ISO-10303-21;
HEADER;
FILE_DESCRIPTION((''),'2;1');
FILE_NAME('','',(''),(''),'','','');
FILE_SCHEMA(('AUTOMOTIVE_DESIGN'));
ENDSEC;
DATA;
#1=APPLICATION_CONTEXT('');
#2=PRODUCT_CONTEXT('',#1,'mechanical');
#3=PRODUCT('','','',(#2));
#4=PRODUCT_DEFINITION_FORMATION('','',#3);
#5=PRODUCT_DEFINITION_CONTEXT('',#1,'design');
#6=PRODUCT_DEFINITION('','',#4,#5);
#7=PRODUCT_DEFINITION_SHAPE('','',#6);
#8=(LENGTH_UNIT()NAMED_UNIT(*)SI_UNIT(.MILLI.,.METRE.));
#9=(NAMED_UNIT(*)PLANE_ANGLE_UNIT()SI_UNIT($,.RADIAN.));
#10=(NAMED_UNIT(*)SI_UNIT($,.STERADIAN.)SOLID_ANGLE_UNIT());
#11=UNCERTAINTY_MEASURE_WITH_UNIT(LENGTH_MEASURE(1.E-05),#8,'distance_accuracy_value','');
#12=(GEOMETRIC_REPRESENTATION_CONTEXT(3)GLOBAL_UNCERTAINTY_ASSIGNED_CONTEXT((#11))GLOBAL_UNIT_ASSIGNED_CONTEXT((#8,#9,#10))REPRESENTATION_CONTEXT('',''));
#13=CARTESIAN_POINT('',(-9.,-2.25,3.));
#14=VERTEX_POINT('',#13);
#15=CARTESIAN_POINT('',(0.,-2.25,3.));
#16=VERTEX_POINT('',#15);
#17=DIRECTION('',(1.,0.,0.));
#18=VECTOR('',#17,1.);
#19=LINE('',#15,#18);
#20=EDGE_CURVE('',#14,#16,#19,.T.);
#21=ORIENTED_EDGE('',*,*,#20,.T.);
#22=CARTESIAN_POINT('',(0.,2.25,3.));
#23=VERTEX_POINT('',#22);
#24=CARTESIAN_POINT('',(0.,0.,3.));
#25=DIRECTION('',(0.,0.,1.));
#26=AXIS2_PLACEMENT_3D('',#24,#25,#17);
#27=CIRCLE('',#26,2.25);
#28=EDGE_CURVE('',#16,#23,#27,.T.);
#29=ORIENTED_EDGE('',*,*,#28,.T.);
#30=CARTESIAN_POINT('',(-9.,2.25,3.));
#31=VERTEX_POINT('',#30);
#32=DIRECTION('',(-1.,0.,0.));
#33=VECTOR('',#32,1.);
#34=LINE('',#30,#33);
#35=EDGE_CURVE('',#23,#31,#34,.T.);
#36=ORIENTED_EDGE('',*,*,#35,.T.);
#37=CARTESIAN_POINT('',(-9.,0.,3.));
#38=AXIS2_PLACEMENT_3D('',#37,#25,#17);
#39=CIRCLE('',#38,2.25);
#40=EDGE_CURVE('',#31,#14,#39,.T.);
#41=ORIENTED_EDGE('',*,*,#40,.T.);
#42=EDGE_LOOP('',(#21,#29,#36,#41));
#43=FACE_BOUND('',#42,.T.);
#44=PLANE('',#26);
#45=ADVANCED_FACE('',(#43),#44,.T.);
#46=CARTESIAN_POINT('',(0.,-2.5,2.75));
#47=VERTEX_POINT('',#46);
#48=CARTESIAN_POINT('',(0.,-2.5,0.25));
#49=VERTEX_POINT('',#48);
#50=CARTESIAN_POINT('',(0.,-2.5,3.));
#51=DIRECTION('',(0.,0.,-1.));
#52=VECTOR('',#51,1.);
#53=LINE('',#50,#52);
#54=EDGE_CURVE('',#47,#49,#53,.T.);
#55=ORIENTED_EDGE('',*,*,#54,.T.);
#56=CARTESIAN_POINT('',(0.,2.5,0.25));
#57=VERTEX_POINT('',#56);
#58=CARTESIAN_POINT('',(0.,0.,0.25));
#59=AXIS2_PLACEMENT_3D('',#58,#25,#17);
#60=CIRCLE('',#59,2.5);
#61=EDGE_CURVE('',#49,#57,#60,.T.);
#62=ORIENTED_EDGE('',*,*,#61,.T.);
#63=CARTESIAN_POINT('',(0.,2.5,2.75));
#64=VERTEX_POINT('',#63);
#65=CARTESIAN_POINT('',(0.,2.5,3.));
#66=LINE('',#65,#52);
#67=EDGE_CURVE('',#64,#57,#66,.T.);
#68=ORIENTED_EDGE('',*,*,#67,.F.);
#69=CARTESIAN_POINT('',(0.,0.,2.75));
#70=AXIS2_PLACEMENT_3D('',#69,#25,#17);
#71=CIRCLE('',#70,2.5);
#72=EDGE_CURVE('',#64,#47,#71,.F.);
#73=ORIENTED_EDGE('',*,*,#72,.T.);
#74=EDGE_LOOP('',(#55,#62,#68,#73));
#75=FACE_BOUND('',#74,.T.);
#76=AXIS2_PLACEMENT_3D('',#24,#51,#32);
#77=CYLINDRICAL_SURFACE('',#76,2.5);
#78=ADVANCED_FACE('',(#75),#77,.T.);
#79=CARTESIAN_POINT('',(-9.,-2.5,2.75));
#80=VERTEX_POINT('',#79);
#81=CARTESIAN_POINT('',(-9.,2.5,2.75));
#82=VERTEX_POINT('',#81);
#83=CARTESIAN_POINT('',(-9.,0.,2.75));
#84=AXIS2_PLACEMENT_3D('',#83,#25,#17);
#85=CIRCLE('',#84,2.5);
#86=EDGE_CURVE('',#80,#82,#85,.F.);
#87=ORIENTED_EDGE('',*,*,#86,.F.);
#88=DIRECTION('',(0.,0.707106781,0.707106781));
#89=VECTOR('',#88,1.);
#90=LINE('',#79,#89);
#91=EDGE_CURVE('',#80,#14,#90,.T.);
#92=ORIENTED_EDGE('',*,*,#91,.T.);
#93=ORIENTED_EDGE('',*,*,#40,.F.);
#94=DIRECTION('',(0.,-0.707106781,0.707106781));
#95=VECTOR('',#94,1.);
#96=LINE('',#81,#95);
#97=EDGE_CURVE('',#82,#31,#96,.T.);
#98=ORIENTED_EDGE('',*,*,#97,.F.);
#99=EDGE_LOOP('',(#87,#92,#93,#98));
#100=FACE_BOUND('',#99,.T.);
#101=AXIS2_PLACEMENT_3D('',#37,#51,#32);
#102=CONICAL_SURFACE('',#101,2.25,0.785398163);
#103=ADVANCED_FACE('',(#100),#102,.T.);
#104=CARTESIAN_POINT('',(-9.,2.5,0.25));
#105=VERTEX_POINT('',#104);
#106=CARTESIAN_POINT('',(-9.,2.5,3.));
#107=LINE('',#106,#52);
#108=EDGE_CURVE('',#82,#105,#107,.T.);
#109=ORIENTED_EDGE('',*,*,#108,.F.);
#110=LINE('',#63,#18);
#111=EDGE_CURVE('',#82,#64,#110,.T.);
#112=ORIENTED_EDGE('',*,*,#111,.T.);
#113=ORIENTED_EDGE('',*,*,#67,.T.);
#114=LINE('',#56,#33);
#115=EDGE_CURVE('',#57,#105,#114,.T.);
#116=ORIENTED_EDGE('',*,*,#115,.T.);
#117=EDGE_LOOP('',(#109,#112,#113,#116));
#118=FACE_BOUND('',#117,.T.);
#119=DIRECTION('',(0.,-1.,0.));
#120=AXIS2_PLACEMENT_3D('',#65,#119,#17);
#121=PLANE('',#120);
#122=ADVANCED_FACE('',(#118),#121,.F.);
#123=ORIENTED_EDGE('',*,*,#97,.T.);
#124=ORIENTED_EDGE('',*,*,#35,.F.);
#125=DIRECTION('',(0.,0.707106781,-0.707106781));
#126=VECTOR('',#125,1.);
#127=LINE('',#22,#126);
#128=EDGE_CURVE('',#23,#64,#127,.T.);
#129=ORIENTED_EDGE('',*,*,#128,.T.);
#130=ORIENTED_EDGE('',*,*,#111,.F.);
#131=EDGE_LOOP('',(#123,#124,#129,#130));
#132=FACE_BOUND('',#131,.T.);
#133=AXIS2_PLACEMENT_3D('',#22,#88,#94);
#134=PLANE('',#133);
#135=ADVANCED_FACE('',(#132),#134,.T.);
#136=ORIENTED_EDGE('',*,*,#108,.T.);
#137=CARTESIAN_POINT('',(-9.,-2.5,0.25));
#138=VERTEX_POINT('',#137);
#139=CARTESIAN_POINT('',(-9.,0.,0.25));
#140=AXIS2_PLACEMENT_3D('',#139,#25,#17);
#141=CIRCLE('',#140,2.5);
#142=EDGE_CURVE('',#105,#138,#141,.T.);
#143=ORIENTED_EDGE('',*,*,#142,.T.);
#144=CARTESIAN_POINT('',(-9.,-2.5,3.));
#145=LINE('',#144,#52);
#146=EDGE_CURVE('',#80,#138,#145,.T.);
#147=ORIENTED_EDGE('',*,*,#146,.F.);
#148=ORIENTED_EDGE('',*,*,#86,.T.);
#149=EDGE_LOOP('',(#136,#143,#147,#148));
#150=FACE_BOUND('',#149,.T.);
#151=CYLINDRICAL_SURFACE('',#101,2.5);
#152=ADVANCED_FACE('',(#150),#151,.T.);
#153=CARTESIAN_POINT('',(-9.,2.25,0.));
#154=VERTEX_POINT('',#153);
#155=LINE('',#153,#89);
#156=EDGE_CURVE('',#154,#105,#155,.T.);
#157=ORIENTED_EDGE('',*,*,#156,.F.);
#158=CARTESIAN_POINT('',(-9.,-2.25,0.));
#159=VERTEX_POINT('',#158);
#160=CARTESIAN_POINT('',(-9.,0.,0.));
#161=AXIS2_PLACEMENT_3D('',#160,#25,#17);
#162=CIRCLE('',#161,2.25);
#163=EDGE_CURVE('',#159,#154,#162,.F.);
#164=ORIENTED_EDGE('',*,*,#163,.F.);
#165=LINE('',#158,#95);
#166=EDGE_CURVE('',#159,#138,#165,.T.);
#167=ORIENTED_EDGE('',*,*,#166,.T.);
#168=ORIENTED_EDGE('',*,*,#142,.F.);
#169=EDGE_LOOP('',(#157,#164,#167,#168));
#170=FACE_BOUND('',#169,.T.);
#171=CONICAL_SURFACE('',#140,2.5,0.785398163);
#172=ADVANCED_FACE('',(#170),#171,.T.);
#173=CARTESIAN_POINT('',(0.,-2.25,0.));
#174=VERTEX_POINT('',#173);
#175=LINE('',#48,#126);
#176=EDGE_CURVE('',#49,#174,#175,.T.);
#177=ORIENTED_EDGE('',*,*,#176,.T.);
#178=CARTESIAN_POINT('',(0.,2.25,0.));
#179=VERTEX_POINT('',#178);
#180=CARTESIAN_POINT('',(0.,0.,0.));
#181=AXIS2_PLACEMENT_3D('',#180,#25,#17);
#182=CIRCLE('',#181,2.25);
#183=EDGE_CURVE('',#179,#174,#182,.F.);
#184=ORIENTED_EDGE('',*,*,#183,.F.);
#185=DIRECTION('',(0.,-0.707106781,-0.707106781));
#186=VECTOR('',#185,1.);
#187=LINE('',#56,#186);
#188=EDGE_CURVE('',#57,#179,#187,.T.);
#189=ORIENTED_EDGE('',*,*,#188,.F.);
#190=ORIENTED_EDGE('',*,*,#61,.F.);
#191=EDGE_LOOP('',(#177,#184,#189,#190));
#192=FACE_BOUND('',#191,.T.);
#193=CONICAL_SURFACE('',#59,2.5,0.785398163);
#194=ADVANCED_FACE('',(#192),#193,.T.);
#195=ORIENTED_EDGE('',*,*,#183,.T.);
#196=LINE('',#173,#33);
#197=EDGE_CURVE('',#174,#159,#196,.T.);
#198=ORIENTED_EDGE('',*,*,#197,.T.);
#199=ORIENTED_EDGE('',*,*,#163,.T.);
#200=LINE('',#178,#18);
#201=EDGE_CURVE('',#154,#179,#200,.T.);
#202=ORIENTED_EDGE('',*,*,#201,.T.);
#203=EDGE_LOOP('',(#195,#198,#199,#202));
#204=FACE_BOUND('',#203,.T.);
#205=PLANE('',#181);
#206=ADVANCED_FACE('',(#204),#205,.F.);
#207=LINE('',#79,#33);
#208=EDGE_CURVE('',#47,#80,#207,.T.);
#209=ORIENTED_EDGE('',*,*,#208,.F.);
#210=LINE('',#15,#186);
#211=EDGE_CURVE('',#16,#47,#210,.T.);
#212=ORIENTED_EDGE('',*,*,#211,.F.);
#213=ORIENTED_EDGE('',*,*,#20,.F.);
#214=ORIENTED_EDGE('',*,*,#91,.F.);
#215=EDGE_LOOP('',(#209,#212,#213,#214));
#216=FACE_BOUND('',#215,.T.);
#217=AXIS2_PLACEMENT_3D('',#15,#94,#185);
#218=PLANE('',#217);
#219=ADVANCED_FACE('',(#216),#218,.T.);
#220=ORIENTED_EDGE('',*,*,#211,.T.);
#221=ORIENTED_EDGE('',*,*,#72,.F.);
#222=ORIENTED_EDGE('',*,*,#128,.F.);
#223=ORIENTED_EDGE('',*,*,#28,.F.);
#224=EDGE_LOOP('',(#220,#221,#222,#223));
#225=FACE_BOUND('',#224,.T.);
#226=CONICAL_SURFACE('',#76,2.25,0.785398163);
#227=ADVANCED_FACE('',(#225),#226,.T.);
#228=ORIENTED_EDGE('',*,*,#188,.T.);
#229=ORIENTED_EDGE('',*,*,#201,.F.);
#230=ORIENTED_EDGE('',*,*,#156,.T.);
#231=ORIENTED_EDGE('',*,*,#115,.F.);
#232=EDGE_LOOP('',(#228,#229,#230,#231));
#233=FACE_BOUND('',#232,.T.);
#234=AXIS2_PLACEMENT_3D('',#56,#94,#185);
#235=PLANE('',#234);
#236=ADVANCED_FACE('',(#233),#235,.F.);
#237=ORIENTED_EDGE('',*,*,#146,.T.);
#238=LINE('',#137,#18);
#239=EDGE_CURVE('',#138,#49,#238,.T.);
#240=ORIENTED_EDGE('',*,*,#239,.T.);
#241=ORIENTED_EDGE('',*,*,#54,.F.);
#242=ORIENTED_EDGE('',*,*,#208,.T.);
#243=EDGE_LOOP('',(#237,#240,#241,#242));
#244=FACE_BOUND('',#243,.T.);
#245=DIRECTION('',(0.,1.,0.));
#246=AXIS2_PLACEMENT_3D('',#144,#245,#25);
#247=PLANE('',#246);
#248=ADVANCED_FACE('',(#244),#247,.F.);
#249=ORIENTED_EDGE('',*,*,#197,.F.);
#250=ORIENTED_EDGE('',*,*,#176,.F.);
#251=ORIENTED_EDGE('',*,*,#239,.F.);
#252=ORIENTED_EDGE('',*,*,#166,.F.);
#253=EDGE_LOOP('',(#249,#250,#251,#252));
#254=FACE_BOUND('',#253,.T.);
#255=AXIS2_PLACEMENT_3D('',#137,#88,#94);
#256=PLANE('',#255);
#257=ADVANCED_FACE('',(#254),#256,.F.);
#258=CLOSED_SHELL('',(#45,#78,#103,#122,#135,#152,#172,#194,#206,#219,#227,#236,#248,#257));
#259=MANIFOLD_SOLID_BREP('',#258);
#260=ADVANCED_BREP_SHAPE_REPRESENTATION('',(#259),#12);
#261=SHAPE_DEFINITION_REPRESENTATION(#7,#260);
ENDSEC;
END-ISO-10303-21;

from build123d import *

# Parameters (mm, degrees)
EXTRUDE1_DEPTH = 3
CHAMFER1_SIZE  = 0.25


with BuildPart() as part:
    # Sketch1 → Extrude1 (new body)
    with BuildSketch(Plane.XY):
        with BuildLine():
            Line((0, 2.5), (-9, 2.5))
            ThreePointArc((-9, 2.5), (-11.5, 0), (-9, -2.5))
            Line((-9, -2.5), (0, -2.5))
            ThreePointArc((0, -2.5), (2.5, 0), (0, 2.5))
        make_face()
    extrude(amount=EXTRUDE1_DEPTH)

    # Chamfer1
    chamfer1_edges = [part.edges().sort_by_distance(p)[0] for p in [
        (-11.5, 0, 3),
        (-4.5, -2.5, 3),
        (2.5, 0, 3),
        (-4.5, -2.5, 0),
        (-11.5, 0, 0),
        (-4.5, 2.5, 0),
        (2.5, 0, 0),
        (-4.5, 2.5, 3),
    ]]
    chamfer(chamfer1_edges, length=CHAMFER1_SIZE)


solid = part.part
